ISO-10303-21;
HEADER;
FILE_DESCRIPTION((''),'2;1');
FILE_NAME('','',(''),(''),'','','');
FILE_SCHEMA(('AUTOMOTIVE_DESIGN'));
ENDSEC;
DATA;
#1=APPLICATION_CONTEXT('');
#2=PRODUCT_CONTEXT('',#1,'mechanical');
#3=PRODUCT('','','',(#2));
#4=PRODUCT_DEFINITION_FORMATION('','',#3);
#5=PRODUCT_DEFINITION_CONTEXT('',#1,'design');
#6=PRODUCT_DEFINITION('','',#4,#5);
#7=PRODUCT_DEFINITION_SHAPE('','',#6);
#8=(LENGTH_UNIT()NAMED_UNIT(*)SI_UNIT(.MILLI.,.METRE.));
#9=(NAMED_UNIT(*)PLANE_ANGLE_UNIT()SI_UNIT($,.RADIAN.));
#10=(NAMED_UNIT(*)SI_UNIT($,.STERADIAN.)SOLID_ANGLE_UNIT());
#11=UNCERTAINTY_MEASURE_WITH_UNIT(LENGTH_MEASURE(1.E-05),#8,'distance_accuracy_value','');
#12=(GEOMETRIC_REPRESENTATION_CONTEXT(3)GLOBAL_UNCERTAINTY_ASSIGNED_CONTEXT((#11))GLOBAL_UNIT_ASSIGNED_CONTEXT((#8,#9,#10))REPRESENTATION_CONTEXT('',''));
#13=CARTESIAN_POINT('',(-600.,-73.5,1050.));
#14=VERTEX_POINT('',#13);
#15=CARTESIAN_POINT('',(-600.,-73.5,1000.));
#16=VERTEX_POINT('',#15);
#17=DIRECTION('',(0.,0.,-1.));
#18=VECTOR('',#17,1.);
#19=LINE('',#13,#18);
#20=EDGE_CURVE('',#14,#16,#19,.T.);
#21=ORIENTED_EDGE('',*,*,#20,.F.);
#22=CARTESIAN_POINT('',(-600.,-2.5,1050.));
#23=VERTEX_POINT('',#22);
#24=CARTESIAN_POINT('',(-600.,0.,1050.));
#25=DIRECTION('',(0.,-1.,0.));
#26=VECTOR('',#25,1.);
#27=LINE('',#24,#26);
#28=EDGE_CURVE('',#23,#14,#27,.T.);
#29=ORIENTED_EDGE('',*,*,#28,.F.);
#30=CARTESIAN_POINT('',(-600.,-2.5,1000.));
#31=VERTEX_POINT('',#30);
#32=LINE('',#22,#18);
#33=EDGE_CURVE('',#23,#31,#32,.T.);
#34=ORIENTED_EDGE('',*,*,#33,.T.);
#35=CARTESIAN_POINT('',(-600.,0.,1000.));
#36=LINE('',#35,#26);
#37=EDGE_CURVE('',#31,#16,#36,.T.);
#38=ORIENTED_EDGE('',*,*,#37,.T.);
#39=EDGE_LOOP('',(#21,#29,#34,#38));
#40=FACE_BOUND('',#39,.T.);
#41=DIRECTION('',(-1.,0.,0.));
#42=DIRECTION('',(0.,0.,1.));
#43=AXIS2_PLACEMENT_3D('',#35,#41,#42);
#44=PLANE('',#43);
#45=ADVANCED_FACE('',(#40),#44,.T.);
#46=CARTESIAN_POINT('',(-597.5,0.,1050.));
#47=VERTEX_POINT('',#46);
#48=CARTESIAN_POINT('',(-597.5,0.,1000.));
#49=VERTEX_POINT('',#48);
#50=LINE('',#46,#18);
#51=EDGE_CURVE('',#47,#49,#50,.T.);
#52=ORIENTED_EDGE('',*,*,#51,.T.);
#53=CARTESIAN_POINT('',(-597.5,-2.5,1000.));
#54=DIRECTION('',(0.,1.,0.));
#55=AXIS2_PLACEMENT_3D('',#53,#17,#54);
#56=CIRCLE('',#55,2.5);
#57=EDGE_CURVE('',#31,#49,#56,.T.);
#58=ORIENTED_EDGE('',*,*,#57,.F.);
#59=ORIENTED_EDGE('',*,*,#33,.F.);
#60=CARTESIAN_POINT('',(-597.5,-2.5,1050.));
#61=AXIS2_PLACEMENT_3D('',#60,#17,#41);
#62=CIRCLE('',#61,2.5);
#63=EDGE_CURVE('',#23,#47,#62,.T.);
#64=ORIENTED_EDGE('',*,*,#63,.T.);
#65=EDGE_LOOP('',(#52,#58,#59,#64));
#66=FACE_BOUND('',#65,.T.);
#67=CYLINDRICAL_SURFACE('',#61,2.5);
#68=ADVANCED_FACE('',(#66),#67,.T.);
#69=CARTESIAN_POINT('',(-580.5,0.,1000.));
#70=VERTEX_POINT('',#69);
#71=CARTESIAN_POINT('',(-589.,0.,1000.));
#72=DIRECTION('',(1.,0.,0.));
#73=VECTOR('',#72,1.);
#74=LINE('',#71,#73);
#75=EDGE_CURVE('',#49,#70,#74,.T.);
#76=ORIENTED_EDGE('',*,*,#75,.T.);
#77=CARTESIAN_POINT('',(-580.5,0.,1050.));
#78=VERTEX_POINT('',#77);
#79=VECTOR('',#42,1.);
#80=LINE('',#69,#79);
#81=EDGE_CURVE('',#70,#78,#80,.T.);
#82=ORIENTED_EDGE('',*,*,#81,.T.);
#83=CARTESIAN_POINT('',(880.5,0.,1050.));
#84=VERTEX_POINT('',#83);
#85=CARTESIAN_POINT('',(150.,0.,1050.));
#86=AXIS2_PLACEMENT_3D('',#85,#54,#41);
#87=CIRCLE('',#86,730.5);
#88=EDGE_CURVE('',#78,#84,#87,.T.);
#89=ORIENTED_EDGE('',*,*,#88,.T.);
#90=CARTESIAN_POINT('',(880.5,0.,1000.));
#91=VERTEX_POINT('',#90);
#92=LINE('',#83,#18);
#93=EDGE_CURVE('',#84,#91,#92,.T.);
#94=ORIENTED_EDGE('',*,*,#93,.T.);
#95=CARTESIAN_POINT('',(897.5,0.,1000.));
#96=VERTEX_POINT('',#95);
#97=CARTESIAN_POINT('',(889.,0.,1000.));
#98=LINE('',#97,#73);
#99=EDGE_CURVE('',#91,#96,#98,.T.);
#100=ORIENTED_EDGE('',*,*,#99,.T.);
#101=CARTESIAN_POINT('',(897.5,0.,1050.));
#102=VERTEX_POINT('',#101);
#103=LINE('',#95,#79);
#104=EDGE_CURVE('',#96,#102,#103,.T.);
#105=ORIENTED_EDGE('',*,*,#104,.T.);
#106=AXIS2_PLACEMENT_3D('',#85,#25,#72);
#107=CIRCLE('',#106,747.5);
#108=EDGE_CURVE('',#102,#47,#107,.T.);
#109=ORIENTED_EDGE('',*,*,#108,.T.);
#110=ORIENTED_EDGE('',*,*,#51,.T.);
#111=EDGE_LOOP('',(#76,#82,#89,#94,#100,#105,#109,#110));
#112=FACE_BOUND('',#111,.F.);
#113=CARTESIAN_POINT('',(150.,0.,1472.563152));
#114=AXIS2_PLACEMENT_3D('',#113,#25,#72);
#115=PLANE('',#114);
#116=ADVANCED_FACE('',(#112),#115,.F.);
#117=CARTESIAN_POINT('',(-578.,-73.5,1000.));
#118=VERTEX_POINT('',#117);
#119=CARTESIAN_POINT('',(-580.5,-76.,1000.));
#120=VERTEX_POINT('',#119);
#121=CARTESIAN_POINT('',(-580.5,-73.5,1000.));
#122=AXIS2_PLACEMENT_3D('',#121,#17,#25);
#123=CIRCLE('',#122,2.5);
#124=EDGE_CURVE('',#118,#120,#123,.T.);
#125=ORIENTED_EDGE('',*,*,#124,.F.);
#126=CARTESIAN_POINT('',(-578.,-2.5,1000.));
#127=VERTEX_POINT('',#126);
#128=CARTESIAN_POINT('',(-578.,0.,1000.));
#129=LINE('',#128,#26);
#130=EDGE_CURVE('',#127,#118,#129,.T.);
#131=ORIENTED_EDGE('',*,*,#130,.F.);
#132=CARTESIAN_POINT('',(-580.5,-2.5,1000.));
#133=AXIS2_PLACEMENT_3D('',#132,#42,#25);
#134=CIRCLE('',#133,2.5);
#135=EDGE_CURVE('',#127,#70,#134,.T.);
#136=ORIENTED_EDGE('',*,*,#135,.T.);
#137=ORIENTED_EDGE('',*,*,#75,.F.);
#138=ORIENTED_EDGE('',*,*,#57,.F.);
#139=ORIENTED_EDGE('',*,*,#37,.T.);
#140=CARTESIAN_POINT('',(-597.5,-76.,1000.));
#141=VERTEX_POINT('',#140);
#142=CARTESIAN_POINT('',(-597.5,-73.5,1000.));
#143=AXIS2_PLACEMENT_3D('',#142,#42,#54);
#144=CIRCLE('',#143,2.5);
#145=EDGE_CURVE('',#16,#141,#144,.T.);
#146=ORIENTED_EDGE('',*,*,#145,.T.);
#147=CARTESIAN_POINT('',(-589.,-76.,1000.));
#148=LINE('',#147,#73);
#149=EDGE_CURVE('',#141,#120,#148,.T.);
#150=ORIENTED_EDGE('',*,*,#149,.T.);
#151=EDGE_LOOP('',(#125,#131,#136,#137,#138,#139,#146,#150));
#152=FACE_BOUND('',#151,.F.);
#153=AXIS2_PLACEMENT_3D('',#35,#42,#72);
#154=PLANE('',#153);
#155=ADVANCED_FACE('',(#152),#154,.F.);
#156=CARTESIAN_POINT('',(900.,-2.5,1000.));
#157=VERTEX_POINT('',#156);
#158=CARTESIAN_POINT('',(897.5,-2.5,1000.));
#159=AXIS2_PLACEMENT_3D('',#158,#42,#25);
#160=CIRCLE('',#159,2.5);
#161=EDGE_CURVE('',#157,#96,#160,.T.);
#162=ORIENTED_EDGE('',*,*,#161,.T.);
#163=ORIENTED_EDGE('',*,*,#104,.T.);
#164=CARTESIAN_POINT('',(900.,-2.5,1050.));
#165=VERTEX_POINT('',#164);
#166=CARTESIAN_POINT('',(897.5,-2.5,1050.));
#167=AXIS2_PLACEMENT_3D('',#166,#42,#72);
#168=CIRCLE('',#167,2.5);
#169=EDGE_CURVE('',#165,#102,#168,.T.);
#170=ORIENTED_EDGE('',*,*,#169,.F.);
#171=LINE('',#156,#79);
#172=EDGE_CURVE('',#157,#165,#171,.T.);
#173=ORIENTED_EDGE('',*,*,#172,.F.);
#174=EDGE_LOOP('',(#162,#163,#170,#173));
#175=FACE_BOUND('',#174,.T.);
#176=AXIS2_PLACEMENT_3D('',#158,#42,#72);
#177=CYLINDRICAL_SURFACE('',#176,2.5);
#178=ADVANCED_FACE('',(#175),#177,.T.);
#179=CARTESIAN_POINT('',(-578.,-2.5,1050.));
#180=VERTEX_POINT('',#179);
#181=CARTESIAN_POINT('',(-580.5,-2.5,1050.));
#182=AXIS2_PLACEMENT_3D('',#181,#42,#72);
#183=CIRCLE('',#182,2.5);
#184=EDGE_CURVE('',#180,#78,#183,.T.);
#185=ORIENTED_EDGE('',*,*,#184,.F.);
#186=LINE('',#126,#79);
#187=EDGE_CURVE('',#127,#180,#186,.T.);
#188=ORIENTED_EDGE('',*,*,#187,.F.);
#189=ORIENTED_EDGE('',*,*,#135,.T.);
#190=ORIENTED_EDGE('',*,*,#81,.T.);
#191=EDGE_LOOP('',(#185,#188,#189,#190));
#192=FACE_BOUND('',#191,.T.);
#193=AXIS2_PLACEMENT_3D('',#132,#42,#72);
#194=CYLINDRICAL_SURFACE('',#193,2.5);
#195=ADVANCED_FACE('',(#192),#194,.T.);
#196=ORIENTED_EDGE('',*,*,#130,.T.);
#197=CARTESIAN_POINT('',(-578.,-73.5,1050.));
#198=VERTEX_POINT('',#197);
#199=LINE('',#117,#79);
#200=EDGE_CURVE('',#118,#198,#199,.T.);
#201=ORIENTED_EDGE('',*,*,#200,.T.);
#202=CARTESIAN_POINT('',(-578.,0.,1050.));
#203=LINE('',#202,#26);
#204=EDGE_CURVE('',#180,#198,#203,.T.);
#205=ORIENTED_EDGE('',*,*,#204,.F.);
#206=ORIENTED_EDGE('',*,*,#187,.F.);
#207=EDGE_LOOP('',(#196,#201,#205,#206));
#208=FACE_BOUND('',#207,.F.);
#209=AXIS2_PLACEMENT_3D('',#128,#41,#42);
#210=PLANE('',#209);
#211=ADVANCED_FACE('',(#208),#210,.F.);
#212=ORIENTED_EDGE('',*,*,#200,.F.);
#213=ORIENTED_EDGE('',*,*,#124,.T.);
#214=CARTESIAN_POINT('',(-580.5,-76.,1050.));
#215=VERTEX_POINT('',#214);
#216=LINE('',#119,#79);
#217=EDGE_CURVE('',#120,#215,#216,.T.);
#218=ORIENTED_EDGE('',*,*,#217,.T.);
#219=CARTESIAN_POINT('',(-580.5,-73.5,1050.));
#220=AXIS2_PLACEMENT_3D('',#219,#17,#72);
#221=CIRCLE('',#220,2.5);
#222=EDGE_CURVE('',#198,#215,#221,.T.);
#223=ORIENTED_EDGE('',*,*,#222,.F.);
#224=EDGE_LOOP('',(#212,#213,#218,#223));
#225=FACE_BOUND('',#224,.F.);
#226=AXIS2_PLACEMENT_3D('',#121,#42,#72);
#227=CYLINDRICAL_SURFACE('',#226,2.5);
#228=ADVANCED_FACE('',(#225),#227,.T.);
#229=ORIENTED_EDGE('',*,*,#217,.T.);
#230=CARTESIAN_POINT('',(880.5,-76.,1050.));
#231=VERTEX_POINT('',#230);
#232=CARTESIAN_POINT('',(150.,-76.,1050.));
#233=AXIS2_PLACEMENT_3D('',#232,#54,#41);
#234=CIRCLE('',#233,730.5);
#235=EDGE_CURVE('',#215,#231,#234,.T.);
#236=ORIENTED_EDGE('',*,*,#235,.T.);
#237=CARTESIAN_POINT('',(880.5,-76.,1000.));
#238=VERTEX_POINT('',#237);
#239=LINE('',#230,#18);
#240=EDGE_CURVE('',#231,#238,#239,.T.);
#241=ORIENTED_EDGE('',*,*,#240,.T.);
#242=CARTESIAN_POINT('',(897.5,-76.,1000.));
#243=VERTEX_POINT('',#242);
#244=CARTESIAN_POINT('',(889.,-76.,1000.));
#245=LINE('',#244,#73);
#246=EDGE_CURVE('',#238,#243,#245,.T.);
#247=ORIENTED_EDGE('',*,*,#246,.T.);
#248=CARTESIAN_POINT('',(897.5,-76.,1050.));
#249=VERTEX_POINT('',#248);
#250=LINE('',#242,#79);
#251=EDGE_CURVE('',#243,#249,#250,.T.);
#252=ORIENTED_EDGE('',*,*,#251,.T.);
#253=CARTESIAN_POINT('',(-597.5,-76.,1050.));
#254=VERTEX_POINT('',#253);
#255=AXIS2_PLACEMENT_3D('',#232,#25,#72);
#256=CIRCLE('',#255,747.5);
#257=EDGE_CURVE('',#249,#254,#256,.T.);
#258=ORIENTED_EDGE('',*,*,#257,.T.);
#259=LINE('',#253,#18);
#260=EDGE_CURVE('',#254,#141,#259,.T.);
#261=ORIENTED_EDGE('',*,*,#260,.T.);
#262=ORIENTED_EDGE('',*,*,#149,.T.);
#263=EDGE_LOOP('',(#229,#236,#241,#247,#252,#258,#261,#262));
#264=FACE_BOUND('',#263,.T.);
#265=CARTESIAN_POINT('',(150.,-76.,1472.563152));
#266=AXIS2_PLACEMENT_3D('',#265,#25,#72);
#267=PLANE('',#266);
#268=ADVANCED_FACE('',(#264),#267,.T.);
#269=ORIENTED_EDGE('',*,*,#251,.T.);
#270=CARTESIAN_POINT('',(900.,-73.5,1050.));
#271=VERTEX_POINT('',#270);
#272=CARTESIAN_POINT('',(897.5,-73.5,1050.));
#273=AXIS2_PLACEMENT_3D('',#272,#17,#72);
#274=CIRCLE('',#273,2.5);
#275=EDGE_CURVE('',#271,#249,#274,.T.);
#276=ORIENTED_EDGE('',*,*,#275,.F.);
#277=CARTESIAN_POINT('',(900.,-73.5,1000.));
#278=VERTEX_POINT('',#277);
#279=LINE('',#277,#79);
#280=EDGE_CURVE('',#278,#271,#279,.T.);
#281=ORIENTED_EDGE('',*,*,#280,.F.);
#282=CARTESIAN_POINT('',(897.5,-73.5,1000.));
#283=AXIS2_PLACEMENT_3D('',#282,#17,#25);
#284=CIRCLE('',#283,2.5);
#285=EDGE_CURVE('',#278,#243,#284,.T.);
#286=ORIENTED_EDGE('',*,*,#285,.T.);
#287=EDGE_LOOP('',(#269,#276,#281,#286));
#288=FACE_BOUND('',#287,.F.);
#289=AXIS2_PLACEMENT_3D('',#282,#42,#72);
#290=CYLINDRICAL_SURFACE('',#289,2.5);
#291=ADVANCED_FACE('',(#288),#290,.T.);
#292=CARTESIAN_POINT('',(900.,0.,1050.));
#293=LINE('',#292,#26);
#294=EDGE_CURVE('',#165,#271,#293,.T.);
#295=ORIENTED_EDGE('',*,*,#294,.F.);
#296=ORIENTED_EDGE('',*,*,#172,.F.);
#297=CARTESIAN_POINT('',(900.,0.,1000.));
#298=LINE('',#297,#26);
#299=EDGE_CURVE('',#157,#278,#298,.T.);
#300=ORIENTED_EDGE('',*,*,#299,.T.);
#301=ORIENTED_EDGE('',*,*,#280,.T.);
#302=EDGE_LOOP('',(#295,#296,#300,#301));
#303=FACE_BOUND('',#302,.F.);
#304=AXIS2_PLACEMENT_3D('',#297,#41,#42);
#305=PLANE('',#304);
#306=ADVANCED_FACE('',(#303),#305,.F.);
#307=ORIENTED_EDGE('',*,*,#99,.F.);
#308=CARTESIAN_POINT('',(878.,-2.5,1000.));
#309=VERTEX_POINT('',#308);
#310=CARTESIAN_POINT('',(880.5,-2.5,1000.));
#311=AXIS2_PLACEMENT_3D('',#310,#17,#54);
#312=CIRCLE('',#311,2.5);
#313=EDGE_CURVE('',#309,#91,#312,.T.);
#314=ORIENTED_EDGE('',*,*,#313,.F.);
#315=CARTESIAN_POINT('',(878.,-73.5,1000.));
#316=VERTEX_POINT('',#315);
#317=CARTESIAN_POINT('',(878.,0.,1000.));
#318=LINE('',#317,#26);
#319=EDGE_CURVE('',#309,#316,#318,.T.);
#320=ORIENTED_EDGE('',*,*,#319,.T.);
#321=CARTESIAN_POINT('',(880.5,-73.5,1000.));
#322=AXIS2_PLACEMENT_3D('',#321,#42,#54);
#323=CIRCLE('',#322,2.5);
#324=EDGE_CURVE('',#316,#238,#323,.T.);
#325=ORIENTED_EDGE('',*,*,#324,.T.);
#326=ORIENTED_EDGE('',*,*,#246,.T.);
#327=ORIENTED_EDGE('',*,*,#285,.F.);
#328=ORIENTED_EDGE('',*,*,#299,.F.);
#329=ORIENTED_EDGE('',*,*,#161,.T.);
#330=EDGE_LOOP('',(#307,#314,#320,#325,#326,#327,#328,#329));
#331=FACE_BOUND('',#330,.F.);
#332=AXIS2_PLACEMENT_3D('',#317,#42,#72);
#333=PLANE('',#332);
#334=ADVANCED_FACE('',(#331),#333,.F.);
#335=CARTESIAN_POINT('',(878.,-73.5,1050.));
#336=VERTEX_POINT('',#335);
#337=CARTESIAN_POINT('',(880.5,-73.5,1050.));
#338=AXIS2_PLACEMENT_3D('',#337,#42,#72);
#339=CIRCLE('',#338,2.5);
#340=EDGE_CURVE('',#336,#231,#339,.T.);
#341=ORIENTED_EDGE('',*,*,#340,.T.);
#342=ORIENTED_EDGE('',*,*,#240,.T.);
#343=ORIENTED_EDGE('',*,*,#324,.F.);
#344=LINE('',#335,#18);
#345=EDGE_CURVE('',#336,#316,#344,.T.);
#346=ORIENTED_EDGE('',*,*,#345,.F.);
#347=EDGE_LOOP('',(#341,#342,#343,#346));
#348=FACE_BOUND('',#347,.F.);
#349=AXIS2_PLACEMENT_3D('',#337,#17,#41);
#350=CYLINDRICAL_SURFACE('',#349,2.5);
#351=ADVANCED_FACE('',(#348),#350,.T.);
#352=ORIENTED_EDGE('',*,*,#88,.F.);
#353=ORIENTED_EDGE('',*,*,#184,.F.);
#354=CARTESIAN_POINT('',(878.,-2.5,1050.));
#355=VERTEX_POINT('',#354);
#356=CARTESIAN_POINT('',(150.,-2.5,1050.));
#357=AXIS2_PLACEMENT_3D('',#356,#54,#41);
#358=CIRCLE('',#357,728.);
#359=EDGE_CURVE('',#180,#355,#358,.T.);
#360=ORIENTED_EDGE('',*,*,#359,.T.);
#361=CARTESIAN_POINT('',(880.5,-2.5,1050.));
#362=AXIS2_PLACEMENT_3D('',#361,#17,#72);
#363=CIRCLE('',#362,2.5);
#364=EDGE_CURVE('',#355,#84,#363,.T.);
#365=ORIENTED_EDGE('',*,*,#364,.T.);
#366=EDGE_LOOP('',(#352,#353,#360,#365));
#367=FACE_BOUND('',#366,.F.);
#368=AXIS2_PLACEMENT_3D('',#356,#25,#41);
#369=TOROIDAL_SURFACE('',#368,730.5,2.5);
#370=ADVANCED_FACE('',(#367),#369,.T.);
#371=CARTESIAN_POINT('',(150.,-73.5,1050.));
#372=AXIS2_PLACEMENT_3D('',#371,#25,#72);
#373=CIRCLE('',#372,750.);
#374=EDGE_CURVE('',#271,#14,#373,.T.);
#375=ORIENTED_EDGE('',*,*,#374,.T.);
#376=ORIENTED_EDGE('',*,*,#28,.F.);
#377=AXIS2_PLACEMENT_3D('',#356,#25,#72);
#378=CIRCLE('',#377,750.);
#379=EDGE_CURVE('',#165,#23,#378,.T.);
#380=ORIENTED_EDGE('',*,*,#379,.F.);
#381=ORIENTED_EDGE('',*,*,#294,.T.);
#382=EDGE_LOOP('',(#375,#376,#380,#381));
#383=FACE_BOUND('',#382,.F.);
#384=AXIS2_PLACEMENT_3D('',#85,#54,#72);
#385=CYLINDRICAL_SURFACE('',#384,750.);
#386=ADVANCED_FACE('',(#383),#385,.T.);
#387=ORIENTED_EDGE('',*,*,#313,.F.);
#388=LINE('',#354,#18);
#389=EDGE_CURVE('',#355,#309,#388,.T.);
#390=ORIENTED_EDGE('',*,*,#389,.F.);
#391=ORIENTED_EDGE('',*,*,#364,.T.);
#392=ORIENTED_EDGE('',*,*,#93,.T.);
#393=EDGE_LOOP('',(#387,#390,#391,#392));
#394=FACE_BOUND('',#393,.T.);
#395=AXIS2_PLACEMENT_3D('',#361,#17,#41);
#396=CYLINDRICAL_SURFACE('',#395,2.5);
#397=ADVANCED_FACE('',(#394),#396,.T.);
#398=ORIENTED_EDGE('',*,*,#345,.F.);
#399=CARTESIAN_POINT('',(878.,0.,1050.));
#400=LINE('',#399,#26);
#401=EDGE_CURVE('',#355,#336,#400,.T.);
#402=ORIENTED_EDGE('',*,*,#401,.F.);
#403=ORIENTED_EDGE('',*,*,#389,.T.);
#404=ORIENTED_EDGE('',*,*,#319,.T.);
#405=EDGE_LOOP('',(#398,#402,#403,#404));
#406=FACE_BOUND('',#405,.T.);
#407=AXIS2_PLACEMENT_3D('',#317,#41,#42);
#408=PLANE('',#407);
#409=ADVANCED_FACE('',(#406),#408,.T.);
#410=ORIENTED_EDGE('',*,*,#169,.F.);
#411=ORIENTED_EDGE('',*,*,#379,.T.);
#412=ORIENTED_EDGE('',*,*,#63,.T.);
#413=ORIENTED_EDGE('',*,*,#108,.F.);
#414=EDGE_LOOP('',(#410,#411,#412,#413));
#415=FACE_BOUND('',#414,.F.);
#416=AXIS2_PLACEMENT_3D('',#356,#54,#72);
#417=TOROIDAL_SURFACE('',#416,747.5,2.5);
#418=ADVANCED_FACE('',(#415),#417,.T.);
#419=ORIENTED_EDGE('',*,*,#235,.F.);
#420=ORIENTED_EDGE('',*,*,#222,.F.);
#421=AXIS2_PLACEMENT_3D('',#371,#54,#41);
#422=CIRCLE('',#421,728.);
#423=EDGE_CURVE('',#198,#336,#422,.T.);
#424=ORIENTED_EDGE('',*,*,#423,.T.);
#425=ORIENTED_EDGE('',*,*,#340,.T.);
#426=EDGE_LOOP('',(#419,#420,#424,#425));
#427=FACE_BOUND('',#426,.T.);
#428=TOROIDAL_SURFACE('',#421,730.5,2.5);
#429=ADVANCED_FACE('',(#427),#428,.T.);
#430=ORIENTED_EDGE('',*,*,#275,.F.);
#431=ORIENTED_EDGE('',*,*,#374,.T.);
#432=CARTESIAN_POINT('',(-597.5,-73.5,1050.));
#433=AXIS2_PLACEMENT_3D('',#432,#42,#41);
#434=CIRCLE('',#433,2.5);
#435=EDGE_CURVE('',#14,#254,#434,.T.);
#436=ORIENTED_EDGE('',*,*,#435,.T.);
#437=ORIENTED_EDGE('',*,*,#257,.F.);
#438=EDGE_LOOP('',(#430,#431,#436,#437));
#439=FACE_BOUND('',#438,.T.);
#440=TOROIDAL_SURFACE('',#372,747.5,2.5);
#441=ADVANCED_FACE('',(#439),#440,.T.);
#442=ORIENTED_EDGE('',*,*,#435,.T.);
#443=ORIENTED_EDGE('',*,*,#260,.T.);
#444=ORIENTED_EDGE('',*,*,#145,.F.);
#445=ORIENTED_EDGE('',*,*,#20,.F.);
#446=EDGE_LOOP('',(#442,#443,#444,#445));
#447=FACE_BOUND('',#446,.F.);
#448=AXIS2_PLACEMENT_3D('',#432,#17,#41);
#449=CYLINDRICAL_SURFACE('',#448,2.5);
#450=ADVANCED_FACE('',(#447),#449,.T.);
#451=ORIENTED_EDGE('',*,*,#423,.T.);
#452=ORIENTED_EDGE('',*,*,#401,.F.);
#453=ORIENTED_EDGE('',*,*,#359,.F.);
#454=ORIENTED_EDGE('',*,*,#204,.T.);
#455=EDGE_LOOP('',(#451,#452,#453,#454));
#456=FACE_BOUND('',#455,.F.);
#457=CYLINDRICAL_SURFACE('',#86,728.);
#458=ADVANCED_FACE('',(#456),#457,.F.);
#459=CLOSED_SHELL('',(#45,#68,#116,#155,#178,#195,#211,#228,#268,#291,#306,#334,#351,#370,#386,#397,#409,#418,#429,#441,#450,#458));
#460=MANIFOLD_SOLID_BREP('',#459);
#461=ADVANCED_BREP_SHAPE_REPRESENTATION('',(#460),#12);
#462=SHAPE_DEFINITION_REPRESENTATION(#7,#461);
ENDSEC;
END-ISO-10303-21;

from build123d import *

# Parameters (mm, degrees)
F0_W     = 22
F0_H     = 50
F1_DEPTH = 76
F2_R     = 2.5


with BuildPart() as f1:
    # F0 (on Front) → F1 (new body)
    with BuildSketch(Plane.XZ):
        with BuildLine():
            Line((878, 1050), (900, 1050))
            ThreePointArc((900, 1050), (150, 1800), (-600, 1050))
            Line((-600, 1050), (-578, 1050))
            ThreePointArc((-578, 1050), (150, 1778), (878, 1050))
        make_face()
        with Locations((-589, 1025)):
            Rectangle(F0_W, F0_H)
        with Locations((889, 1025)):
            Rectangle(F0_W, F0_H)
    extrude(amount=F1_DEPTH)

    # F2
    f2_edges = [f1.edges().sort_by_distance(p)[0] for p in [
        (150, 0, 1800),
        (150, -76, 1800),
        (150, -76, 1778),
        (150, 0, 1778),
    ]]
    fillet(f2_edges, radius=F2_R)


solid = f1.part
